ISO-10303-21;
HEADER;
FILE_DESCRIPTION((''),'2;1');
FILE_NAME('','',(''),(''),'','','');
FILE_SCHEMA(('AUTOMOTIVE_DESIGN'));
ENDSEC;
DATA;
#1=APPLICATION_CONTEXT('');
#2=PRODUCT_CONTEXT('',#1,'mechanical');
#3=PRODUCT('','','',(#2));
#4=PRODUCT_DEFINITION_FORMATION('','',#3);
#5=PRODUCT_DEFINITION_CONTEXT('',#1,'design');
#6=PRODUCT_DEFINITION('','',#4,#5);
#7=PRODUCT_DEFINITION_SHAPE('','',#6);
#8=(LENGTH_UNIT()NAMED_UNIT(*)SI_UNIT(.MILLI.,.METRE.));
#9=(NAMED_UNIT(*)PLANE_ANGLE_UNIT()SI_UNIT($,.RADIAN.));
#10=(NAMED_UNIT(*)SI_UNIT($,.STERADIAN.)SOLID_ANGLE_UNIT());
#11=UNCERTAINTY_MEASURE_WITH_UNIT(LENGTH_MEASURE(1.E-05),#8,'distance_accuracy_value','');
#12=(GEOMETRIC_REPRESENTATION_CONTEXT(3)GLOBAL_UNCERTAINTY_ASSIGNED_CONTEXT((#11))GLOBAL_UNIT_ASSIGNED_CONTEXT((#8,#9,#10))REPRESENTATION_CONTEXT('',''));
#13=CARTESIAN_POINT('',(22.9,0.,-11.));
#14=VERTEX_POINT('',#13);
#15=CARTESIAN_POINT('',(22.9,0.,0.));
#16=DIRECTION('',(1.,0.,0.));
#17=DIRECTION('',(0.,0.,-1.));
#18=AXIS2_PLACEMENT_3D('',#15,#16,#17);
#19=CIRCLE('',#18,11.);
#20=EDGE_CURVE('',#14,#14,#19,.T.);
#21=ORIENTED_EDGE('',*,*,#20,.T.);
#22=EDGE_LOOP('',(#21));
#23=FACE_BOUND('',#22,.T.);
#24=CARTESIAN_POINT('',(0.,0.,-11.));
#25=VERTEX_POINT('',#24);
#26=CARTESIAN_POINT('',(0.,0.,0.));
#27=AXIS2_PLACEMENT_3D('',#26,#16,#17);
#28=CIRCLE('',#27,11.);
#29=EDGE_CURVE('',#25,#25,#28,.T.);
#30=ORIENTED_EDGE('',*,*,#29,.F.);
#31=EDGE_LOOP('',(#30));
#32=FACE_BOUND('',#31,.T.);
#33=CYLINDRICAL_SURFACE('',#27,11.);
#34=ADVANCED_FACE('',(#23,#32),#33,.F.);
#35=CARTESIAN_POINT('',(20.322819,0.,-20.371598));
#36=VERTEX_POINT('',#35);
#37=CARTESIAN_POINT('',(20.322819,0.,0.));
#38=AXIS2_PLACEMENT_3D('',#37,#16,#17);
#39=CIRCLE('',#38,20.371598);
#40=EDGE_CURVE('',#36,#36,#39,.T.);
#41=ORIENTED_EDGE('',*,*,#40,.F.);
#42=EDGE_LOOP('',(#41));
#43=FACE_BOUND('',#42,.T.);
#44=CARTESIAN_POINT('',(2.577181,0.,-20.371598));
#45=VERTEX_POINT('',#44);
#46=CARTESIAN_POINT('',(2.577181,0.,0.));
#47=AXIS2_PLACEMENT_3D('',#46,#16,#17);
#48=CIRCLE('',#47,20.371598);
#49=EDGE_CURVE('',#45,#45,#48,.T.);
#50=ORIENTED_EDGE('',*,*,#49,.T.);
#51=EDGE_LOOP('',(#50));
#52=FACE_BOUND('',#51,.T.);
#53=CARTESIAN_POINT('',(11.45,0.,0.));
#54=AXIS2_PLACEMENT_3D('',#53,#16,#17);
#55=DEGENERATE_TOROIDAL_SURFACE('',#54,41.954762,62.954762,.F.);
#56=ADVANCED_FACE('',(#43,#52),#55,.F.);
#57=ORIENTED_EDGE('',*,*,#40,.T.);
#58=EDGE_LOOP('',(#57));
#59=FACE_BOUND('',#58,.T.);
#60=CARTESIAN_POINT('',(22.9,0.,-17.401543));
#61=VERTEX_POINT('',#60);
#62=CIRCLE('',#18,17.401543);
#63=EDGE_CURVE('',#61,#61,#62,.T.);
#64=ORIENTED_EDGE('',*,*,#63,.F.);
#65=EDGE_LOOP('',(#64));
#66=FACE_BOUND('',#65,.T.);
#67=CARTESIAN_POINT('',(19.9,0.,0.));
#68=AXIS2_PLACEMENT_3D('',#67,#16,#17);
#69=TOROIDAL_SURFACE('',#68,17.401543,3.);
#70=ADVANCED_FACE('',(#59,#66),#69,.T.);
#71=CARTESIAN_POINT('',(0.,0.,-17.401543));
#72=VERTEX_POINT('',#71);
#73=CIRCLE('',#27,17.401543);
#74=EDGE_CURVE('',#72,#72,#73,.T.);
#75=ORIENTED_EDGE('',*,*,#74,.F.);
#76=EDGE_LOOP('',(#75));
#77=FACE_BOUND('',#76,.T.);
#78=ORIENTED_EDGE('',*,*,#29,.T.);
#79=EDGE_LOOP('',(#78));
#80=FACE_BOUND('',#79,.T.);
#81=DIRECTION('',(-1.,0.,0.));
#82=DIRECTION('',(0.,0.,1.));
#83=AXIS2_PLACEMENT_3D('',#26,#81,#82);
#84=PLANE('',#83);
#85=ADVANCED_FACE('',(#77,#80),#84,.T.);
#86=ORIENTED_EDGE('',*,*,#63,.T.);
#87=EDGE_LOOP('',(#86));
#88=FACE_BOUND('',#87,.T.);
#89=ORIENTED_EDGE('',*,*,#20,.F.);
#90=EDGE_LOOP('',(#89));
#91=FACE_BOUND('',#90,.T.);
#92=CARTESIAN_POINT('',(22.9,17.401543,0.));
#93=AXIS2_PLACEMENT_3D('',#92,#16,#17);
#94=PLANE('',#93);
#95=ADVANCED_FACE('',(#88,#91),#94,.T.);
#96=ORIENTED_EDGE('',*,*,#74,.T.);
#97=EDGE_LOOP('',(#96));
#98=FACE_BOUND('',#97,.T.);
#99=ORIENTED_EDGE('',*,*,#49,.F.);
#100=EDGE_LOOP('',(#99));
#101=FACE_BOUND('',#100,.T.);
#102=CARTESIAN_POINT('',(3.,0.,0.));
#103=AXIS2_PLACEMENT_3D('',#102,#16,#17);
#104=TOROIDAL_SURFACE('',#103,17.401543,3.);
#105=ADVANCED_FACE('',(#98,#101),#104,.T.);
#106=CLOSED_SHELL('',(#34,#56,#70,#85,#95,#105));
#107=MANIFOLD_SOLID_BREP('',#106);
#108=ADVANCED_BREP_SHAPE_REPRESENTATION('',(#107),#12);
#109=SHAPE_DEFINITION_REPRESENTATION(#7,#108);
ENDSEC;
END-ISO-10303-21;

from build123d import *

# Parameters (mm, degrees)
SKETCH2_R          = 11
CUT_EXTRUDE1_DEPTH = 38.502133385


with BuildPart() as part:
    # Sketch1 → Revolve1 (revolve)
    with BuildSketch(Plane.XY, mode=Mode.PRIVATE) as revolve1_sk:
        with BuildLine():
            Line((0, 0), (0, 17.401543363))
            ThreePointArc((0, 17.401543363), (0.734116466, 19.367699972), (2.577181208, 20.371597953))
            ThreePointArc((2.577181208, 20.371597953), (11.45, 21), (20.322818792, 20.371597953))
            ThreePointArc((20.322818792, 20.371597953), (22.165883534, 19.367699972), (22.9, 17.401543363))
            Line((22.9, 17.401543363), (22.9, 0))
            Line((22.9, 0), (0, 0))
        make_face()
    revolve(revolve1_sk.sketch.rotate(Axis((22.9, 0, 0), (-1, 0, 0)), 90), axis=Axis((22.9, 0, 0), (-1, 0, 0)))

    # Sketch2 → Cut-Extrude1 (cut, through all)
    with BuildSketch(Plane(origin=(22.9, 0, 0), x_dir=(0, 0, -1), z_dir=(1, 0, 0))):
        Circle(SKETCH2_R)
    extrude(amount=-CUT_EXTRUDE1_DEPTH, mode=Mode.SUBTRACT)


solid = part.part
